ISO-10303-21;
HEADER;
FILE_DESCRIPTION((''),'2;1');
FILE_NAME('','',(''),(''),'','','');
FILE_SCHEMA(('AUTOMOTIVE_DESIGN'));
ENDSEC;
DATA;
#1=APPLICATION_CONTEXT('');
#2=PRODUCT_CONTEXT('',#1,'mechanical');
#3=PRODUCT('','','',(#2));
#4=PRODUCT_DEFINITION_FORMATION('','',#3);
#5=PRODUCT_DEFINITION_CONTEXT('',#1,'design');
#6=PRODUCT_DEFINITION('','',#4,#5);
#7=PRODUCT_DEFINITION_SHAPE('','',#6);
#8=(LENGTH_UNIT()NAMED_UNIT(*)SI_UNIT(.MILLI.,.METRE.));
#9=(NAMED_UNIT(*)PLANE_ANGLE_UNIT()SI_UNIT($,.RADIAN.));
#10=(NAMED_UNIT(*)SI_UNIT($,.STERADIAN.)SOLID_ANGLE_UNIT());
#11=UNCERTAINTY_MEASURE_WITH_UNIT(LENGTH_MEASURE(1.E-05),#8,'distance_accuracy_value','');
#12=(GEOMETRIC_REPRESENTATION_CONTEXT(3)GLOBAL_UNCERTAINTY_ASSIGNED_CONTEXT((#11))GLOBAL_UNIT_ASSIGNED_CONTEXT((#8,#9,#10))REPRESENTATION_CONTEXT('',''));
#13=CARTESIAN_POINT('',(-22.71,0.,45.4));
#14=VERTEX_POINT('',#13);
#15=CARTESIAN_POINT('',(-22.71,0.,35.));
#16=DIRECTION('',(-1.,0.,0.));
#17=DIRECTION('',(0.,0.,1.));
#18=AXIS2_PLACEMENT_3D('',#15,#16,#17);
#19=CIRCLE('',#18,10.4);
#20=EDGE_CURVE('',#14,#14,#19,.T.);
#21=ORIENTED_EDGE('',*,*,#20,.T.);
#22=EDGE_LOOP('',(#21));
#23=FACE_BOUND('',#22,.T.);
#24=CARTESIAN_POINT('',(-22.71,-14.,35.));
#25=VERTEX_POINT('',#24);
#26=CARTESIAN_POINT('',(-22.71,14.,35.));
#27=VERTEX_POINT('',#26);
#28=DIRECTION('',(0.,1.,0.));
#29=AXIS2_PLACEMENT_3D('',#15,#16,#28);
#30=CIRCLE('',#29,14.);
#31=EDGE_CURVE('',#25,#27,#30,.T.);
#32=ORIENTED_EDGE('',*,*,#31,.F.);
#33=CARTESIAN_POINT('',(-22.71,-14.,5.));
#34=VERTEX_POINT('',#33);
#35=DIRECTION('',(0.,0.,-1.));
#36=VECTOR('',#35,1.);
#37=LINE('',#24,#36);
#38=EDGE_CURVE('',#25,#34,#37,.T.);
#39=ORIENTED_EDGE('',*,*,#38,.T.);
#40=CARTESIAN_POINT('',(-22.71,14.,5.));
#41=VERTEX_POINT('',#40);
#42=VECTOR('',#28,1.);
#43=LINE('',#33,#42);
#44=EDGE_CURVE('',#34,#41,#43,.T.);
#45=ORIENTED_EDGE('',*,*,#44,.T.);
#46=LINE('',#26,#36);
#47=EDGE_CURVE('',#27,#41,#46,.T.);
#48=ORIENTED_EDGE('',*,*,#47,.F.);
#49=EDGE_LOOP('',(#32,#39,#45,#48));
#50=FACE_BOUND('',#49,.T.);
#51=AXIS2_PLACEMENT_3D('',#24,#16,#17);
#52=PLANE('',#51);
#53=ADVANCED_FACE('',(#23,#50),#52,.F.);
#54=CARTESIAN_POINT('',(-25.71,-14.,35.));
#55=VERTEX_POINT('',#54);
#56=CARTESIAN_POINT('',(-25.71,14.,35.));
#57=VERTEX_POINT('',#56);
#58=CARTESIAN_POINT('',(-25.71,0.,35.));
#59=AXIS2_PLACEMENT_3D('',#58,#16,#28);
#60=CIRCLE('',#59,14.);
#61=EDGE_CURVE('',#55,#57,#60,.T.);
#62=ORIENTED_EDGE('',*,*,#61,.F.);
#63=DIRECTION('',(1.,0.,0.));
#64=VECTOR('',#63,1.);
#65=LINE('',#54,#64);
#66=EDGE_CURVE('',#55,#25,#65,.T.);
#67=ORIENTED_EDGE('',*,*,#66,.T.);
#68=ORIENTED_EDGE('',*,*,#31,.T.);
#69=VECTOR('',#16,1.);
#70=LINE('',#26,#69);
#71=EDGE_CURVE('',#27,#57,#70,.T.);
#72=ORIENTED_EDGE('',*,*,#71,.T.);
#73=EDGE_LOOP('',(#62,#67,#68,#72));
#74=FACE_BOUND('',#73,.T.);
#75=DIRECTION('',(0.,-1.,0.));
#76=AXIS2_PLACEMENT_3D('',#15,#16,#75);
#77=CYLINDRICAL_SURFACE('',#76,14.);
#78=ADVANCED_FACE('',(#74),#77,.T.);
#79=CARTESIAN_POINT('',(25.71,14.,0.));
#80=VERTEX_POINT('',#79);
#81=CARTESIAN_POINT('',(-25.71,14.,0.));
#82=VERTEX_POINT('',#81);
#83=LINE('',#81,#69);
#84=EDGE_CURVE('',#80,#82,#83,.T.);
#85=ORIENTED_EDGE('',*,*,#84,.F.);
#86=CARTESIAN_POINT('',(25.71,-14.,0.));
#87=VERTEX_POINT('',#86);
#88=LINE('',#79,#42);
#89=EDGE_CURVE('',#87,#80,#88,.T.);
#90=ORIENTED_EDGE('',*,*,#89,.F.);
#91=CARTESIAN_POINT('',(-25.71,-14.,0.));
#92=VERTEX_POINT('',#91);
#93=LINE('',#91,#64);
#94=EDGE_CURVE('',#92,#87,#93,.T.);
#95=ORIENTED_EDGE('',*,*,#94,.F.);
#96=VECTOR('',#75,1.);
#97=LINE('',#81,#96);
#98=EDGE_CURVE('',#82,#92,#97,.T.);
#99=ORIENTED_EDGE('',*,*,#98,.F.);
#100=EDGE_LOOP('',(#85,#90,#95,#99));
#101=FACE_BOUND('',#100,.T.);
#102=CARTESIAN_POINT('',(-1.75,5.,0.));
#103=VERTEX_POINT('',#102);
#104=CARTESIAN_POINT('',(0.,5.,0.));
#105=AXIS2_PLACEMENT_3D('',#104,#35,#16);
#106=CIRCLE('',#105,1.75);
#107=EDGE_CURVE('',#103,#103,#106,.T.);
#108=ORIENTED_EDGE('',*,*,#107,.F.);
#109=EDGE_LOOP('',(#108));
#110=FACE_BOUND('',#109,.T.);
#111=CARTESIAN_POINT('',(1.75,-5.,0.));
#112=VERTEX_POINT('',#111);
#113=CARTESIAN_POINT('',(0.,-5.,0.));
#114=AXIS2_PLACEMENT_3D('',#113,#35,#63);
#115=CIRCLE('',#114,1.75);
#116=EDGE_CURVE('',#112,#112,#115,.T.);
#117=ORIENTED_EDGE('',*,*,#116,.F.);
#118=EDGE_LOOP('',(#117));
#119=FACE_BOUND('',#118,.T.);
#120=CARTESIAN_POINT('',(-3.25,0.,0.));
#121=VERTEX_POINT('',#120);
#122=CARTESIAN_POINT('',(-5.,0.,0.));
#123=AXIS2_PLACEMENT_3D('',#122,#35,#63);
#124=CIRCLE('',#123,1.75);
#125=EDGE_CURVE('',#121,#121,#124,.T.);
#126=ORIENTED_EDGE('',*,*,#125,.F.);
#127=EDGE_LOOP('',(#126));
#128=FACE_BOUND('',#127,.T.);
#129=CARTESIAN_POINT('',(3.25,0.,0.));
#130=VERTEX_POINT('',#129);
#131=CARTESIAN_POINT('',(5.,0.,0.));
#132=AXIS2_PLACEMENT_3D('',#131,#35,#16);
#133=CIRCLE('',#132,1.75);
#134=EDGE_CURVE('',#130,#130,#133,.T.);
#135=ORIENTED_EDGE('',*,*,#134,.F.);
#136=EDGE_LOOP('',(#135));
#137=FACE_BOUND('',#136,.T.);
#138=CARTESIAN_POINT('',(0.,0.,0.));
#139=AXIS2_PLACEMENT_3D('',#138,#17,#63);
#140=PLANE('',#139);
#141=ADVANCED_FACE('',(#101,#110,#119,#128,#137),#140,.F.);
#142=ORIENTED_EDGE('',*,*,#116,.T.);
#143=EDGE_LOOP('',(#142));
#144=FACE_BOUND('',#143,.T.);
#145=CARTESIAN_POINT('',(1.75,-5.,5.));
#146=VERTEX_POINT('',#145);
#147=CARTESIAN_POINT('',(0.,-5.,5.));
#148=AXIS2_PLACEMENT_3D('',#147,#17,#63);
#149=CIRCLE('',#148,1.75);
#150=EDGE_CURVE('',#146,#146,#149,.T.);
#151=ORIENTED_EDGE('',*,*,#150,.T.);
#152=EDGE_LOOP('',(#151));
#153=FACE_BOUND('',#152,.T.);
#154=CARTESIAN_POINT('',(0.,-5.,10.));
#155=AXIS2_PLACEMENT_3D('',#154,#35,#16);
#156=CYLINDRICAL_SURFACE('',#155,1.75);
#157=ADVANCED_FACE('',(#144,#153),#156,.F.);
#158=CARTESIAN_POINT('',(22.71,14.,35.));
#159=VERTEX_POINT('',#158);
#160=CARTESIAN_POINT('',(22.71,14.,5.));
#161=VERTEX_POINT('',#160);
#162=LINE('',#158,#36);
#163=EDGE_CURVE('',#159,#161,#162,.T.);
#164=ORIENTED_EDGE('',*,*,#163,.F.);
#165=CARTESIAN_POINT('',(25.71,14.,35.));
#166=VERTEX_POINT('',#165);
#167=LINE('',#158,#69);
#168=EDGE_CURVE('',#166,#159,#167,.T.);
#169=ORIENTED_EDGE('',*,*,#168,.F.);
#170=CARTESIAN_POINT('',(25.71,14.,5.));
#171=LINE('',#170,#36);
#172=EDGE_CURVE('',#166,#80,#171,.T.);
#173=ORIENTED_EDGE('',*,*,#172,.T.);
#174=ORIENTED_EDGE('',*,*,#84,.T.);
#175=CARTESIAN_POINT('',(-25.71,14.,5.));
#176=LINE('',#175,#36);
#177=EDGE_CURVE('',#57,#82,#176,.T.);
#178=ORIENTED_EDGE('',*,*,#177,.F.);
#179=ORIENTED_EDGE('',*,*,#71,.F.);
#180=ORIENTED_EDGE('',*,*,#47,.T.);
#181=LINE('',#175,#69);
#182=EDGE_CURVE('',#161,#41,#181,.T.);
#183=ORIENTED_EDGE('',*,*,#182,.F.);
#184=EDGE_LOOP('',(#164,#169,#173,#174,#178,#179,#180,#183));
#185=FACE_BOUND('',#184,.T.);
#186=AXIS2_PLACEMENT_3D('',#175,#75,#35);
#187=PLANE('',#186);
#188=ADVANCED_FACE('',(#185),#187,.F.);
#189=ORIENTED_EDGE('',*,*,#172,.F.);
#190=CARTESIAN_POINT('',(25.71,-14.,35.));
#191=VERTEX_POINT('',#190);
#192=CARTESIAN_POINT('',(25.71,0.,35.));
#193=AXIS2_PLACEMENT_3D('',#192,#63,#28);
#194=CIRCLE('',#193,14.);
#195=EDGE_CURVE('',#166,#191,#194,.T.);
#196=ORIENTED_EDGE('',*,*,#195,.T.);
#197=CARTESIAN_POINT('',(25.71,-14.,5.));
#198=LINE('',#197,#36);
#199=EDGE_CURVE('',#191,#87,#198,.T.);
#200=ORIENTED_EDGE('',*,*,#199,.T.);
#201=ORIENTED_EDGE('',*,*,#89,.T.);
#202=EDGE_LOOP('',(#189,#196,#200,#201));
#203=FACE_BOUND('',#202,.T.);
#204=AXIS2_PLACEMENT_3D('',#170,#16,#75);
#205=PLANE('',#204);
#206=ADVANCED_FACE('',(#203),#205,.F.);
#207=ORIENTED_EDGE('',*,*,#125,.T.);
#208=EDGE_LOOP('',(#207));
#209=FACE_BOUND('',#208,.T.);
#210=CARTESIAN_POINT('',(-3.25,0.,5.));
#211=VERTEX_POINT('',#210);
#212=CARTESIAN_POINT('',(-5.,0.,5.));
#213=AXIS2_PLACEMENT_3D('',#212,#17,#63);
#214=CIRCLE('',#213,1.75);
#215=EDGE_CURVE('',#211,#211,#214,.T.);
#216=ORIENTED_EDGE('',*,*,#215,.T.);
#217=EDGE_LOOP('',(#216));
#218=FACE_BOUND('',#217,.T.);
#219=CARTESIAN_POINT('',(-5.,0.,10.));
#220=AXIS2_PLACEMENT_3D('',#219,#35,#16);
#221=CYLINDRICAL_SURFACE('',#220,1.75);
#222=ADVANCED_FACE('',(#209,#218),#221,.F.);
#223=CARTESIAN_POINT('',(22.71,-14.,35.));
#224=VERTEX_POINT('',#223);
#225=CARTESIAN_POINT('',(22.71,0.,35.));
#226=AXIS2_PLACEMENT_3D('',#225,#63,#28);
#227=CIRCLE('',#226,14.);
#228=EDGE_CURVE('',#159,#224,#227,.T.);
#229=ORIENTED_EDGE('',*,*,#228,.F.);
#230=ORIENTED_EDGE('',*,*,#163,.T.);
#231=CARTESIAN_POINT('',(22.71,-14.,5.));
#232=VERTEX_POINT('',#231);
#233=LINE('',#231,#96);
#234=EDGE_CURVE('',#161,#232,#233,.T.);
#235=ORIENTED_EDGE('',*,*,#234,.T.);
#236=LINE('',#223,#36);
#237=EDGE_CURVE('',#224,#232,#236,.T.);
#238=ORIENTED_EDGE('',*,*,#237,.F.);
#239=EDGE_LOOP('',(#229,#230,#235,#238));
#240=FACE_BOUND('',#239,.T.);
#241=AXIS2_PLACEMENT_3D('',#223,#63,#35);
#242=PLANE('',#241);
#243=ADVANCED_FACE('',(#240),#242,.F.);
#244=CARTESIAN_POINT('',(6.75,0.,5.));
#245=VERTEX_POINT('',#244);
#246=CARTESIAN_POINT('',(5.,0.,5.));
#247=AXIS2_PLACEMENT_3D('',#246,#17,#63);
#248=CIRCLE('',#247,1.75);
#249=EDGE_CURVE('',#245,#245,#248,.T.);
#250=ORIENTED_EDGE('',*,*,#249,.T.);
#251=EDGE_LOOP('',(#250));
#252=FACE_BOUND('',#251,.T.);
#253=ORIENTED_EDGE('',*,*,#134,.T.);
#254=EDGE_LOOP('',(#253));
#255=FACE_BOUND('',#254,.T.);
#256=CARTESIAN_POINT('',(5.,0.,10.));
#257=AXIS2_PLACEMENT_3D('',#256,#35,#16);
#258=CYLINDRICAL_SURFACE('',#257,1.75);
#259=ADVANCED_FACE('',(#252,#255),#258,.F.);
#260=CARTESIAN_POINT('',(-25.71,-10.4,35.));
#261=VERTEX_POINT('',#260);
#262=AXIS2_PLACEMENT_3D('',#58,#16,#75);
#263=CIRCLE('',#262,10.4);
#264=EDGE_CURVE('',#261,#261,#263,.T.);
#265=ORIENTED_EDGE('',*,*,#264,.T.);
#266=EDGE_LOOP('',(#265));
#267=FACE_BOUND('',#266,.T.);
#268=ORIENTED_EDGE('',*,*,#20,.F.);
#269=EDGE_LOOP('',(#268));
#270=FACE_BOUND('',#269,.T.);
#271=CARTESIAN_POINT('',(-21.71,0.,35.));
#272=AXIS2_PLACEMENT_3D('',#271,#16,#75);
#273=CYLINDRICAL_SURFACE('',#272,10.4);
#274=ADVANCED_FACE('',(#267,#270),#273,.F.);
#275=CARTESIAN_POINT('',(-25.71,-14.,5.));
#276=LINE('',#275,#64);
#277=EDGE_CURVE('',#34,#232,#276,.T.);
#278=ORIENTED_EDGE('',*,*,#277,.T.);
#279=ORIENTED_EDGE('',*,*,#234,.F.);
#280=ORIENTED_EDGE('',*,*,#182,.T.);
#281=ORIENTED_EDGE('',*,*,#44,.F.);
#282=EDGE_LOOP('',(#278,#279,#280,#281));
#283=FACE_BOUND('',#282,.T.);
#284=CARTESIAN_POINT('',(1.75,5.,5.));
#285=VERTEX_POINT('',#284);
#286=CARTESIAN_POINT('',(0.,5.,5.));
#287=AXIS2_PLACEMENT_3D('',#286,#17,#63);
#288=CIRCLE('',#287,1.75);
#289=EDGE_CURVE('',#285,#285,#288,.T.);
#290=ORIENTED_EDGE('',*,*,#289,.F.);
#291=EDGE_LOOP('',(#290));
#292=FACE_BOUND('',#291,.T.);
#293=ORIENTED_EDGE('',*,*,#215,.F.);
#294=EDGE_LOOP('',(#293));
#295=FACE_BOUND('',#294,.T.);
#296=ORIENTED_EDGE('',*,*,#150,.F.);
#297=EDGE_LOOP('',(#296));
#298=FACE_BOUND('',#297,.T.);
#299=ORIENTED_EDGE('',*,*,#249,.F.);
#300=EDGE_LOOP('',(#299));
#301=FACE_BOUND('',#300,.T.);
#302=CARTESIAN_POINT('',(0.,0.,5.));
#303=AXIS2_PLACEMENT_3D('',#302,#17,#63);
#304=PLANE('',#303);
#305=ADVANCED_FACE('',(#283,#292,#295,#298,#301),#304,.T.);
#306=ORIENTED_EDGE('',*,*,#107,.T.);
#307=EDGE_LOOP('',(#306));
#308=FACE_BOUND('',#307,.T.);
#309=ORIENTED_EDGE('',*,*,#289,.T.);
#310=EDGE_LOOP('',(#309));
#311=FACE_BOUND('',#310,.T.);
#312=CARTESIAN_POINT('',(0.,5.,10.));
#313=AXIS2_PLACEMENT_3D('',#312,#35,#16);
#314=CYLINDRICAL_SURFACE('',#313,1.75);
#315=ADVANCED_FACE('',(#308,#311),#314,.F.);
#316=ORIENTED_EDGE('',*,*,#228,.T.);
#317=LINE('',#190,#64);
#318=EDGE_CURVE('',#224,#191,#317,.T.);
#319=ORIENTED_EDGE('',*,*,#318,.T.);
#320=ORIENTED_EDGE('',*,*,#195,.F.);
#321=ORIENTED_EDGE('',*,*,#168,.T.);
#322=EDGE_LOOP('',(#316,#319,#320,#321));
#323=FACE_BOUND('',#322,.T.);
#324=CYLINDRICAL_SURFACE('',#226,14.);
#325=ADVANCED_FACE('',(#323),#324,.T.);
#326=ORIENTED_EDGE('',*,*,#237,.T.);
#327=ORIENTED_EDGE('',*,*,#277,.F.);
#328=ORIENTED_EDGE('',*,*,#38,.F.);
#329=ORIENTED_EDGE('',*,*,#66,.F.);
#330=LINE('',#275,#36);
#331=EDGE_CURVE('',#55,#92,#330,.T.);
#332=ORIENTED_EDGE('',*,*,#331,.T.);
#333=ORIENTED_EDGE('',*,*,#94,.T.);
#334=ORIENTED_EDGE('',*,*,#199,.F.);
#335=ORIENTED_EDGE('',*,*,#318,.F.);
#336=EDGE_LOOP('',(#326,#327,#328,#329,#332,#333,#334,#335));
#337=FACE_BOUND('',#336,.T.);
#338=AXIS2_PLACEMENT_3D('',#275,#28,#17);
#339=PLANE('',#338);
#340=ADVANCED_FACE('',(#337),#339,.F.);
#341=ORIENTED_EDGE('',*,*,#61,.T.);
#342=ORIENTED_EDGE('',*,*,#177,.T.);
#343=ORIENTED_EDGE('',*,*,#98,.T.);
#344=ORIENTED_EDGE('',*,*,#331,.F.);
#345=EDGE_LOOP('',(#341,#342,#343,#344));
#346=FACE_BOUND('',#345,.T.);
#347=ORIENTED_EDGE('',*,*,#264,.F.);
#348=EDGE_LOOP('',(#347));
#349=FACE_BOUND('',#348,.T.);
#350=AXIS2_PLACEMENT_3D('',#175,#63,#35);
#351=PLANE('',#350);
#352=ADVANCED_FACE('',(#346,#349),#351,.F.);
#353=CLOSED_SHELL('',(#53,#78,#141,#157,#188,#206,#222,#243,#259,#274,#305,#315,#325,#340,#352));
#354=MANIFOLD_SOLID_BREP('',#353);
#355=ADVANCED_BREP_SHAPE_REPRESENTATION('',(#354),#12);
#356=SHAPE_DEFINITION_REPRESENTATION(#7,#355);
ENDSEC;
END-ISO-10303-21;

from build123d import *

# Parameters (mm, degrees)
SKETCH1_W           = 51.42
SKETCH1_H           = 28
BOSS_EXTRUDE1_DEPTH = 5
SKETCH3_W           = 3
SKETCH3_H           = 28
BOSS_EXTRUDE2_DEPTH = 30
BOSS_EXTRUDE4_DEPTH = 3
SKETCH6_R           = 10.4
CUT_EXTRUDE1_DEPTH  = 4
BOSS_EXTRUDE5_START = -3
BOSS_EXTRUDE5_DEPTH = 3
SKETCH8_R           = 1.75
CUT_EXTRUDE2_DEPTH  = 10


with BuildPart() as part:
    # Sketch1 → Boss-Extrude1 (new body)
    with BuildSketch(Plane.XY):
        Rectangle(SKETCH1_W, SKETCH1_H)
    extrude(amount=BOSS_EXTRUDE1_DEPTH)

    # Sketch3 → Boss-Extrude2 (add)
    with BuildSketch(Plane.XY.offset(5)):
        with Locations((-24.21, 0)):
            Rectangle(SKETCH3_W, SKETCH3_H)
        with Locations((24.21, 0)):
            Rectangle(SKETCH3_W, SKETCH3_H)
    extrude(amount=BOSS_EXTRUDE2_DEPTH)

    # Sketch5 → Boss-Extrude4 (add)
    with BuildSketch(Plane.ZY.offset(25.71)):
        with BuildLine():
            Line((35, -14), (35, 14))
            ThreePointArc((35, 14), (49, 0), (35, -14))
        make_face()
    extrude(amount=-BOSS_EXTRUDE4_DEPTH)

    # Sketch6 → Cut-Extrude1 (cut)
    with BuildSketch(Plane.ZY.offset(25.71)):
        with Locations(Location((35, 0, 0), (0, 0, 270))):
            Circle(SKETCH6_R)
    extrude(amount=-CUT_EXTRUDE1_DEPTH, mode=Mode.SUBTRACT)

    # Sketch7 → Boss-Extrude5 (add)
    with BuildSketch(Plane(origin=(25.71, 0, 0), x_dir=(0, 0, -1), z_dir=(1, 0, 0)).offset(BOSS_EXTRUDE5_START)):
        with BuildLine():
            Line((-35, 14), (-35, -14))
            ThreePointArc((-35, -14), (-49, 0), (-35, 14))
        make_face()
    extrude(amount=BOSS_EXTRUDE5_DEPTH)

    # Sketch8 → Cut-Extrude2 (cut)
    with BuildSketch(Plane(origin=(0, 0, 0), x_dir=(-1, 0, 0), z_dir=(0, 0, -1))):
        with Locations((0, 5)):
            Circle(SKETCH8_R)
        with Locations((-5, 0)):
            Circle(SKETCH8_R)
        with Locations(Location((5, 0, 0), (0, 0, 180))):
            Circle(SKETCH8_R)
        with Locations(Location((0, -5, 0), (0, 0, 180))):
            Circle(SKETCH8_R)
    extrude(amount=-CUT_EXTRUDE2_DEPTH, mode=Mode.SUBTRACT)


solid = part.part
